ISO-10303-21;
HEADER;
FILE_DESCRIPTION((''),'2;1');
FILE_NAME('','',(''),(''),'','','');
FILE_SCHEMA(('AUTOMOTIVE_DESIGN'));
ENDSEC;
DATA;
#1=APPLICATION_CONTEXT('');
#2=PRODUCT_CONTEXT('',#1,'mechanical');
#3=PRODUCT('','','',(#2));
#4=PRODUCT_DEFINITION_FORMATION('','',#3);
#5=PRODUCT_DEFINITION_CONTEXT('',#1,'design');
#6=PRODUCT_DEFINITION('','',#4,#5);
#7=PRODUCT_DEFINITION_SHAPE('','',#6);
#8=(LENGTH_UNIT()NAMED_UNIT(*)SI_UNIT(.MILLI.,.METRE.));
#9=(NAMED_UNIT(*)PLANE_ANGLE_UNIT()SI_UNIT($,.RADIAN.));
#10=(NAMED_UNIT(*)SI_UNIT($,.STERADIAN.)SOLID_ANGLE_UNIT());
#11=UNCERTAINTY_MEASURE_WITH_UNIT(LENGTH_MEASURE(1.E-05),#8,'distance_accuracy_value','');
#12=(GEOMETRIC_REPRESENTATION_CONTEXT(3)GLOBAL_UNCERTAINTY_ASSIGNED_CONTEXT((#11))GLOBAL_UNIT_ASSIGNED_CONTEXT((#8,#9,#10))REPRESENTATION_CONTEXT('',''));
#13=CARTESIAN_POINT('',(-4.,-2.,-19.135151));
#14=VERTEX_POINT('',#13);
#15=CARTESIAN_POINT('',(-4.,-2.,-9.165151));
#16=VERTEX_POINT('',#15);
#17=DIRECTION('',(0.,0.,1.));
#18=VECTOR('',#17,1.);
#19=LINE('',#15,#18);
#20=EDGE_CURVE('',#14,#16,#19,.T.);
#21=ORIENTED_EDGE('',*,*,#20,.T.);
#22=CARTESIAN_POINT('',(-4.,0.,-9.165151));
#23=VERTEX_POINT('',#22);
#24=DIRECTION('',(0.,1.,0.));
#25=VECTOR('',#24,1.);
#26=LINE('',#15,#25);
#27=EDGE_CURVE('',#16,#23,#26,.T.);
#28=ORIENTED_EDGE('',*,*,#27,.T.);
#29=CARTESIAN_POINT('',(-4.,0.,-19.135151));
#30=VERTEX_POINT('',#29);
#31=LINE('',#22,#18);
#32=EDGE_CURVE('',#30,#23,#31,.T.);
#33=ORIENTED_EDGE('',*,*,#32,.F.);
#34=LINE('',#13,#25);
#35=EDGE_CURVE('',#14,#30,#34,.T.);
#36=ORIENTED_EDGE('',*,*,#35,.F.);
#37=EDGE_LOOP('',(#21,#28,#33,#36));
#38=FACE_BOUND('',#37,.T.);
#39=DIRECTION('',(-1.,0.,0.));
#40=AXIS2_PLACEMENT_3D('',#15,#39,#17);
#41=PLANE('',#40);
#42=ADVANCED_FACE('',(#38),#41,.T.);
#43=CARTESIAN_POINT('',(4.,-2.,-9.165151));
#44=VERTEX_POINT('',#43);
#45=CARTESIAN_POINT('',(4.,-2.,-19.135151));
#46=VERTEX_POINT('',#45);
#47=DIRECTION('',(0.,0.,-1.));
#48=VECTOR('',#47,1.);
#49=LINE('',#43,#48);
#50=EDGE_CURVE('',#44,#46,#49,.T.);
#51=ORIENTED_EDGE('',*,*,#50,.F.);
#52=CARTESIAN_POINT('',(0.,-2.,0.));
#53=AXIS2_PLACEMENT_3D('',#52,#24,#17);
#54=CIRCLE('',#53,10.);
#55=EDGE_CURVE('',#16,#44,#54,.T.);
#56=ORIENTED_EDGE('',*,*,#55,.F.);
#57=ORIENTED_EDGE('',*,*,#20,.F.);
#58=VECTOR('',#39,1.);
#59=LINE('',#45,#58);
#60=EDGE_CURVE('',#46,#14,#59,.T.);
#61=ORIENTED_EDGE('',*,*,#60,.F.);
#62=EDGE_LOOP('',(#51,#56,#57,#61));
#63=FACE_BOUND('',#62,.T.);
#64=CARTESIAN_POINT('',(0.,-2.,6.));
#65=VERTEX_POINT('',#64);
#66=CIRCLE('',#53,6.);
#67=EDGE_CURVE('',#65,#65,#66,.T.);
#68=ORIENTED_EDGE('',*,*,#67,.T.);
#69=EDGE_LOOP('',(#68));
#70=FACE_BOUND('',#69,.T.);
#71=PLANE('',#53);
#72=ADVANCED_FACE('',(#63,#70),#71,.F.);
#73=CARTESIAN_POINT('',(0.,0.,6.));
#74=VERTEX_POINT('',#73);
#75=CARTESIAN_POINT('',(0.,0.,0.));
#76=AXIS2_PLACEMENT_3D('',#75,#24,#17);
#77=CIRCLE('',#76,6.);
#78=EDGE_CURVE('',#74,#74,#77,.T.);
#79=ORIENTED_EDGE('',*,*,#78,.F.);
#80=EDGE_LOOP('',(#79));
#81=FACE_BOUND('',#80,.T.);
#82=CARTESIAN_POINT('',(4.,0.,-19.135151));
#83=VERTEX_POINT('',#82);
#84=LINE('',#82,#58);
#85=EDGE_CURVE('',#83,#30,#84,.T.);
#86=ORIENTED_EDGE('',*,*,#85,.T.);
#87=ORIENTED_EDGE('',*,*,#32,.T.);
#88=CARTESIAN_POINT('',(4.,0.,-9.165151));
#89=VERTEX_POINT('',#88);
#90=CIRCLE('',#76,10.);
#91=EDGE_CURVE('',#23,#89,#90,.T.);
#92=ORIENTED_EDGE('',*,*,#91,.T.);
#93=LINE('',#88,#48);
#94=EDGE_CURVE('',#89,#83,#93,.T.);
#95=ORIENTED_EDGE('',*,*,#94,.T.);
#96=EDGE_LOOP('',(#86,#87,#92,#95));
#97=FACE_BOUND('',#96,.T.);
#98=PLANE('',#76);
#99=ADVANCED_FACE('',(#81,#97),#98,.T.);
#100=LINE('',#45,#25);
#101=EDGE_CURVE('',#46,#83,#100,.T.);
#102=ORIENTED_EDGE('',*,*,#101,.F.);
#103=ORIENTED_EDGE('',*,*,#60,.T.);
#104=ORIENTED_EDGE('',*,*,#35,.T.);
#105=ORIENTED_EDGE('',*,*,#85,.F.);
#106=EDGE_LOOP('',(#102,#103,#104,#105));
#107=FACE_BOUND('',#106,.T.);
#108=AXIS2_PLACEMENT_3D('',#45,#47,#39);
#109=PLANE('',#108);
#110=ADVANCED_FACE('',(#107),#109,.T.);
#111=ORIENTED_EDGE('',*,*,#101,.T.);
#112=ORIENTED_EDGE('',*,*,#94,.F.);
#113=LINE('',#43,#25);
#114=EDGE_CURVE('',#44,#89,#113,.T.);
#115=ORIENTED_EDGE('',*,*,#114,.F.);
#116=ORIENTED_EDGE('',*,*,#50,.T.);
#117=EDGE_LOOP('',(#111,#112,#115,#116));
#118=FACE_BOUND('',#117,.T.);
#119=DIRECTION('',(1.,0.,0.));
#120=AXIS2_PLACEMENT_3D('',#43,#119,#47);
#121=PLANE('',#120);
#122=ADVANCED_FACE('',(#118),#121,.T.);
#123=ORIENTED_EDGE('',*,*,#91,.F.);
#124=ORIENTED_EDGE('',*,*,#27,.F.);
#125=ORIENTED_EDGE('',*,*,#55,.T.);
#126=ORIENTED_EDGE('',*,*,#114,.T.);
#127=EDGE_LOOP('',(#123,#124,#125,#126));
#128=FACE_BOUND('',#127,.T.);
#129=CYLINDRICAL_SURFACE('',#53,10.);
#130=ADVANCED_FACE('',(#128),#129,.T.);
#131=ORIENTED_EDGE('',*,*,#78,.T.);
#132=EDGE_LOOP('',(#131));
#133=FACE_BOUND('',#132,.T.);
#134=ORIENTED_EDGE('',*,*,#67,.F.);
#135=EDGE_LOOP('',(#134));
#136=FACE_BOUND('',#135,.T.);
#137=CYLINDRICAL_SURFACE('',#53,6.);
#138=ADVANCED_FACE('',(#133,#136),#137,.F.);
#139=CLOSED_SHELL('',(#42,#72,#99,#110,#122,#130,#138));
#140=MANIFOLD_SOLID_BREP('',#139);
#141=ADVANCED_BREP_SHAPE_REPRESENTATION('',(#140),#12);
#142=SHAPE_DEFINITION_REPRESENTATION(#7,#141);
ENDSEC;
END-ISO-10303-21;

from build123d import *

# Parameters (mm, degrees)
SKETCH1_R           = 10
BOSS_EXTRUDE1_DEPTH = 2
SKETCH2_W           = 8
SKETCH2_H           = 9.97
BOSS_EXTRUDE2_DEPTH = 2
SKETCH3_R           = 6
CUT_EXTRUDE1_DEPTH  = 3


with BuildPart() as part:
    # Sketch1 → Boss-Extrude1 (new body)
    with BuildSketch(Plane(origin=(0, 0, 0), x_dir=(1, 0, 0), z_dir=(0, 1, 0))):
        Circle(SKETCH1_R)
    extrude(amount=-BOSS_EXTRUDE1_DEPTH)

    # Sketch2 → Boss-Extrude2 (add)
    with BuildSketch(Plane(origin=(0, 0, 0), x_dir=(1, 0, 0), z_dir=(0, 1, 0))):
        with Locations((0, 14.15015139)):
            Rectangle(SKETCH2_W, SKETCH2_H)
    extrude(amount=-BOSS_EXTRUDE2_DEPTH)

    # Sketch3 → Cut-Extrude1 (cut, through all)
    with BuildSketch(Plane(origin=(0, 0, 0), x_dir=(1, 0, 0), z_dir=(0, 1, 0))):
        Circle(SKETCH3_R)
    extrude(amount=-CUT_EXTRUDE1_DEPTH, mode=Mode.SUBTRACT)


solid = part.part
